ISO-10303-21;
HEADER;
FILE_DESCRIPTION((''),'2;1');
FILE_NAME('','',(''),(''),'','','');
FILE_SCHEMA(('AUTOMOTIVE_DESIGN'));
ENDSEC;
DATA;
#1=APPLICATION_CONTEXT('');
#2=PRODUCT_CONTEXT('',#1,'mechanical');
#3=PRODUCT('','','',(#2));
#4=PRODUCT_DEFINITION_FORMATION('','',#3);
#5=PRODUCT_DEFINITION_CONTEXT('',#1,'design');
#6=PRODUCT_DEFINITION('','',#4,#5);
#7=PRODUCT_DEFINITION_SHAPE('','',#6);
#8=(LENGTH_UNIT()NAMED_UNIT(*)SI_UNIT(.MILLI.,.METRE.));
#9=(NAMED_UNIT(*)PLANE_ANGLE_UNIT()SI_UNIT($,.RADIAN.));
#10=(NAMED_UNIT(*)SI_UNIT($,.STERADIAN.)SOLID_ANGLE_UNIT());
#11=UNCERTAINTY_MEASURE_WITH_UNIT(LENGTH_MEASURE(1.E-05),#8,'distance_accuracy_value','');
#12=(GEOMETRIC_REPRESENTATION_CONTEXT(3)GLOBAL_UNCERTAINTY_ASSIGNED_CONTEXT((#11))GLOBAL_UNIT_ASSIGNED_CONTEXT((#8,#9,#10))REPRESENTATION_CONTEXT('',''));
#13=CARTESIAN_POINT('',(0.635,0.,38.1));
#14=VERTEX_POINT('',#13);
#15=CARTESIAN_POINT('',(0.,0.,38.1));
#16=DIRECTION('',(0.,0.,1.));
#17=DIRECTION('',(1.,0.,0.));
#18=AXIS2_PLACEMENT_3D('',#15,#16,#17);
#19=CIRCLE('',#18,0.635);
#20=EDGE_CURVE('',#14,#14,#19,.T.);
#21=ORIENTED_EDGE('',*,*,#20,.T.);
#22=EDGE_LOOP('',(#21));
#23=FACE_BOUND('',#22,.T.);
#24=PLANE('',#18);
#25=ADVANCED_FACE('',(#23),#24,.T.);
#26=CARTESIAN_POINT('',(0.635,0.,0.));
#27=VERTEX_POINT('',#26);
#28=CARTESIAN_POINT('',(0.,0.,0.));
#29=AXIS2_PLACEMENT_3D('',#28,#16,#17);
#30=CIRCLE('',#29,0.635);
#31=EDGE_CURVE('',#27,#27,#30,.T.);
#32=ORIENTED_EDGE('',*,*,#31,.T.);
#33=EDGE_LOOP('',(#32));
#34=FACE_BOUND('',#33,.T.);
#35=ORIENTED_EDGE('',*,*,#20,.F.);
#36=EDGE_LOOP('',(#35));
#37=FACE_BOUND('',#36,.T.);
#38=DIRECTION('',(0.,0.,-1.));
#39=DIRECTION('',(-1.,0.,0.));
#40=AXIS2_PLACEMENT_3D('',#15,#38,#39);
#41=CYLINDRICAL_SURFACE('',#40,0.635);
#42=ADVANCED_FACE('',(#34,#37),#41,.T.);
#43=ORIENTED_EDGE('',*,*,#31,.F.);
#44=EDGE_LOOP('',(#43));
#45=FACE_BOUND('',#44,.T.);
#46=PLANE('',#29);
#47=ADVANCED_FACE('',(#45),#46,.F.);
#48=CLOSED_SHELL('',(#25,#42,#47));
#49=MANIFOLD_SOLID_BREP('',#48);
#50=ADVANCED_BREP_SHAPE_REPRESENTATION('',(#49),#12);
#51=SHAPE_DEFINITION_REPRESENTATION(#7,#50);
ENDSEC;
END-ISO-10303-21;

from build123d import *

# Parameters (mm, degrees)
SKETCH1_R           = 0.635
BOSS_EXTRUDE1_DEPTH = 38.1


with BuildPart() as part:
    # Sketch1 → Boss-Extrude1 (new body)
    with BuildSketch(Plane.XY):
        Circle(SKETCH1_R)
    extrude(amount=BOSS_EXTRUDE1_DEPTH)


solid = part.part
